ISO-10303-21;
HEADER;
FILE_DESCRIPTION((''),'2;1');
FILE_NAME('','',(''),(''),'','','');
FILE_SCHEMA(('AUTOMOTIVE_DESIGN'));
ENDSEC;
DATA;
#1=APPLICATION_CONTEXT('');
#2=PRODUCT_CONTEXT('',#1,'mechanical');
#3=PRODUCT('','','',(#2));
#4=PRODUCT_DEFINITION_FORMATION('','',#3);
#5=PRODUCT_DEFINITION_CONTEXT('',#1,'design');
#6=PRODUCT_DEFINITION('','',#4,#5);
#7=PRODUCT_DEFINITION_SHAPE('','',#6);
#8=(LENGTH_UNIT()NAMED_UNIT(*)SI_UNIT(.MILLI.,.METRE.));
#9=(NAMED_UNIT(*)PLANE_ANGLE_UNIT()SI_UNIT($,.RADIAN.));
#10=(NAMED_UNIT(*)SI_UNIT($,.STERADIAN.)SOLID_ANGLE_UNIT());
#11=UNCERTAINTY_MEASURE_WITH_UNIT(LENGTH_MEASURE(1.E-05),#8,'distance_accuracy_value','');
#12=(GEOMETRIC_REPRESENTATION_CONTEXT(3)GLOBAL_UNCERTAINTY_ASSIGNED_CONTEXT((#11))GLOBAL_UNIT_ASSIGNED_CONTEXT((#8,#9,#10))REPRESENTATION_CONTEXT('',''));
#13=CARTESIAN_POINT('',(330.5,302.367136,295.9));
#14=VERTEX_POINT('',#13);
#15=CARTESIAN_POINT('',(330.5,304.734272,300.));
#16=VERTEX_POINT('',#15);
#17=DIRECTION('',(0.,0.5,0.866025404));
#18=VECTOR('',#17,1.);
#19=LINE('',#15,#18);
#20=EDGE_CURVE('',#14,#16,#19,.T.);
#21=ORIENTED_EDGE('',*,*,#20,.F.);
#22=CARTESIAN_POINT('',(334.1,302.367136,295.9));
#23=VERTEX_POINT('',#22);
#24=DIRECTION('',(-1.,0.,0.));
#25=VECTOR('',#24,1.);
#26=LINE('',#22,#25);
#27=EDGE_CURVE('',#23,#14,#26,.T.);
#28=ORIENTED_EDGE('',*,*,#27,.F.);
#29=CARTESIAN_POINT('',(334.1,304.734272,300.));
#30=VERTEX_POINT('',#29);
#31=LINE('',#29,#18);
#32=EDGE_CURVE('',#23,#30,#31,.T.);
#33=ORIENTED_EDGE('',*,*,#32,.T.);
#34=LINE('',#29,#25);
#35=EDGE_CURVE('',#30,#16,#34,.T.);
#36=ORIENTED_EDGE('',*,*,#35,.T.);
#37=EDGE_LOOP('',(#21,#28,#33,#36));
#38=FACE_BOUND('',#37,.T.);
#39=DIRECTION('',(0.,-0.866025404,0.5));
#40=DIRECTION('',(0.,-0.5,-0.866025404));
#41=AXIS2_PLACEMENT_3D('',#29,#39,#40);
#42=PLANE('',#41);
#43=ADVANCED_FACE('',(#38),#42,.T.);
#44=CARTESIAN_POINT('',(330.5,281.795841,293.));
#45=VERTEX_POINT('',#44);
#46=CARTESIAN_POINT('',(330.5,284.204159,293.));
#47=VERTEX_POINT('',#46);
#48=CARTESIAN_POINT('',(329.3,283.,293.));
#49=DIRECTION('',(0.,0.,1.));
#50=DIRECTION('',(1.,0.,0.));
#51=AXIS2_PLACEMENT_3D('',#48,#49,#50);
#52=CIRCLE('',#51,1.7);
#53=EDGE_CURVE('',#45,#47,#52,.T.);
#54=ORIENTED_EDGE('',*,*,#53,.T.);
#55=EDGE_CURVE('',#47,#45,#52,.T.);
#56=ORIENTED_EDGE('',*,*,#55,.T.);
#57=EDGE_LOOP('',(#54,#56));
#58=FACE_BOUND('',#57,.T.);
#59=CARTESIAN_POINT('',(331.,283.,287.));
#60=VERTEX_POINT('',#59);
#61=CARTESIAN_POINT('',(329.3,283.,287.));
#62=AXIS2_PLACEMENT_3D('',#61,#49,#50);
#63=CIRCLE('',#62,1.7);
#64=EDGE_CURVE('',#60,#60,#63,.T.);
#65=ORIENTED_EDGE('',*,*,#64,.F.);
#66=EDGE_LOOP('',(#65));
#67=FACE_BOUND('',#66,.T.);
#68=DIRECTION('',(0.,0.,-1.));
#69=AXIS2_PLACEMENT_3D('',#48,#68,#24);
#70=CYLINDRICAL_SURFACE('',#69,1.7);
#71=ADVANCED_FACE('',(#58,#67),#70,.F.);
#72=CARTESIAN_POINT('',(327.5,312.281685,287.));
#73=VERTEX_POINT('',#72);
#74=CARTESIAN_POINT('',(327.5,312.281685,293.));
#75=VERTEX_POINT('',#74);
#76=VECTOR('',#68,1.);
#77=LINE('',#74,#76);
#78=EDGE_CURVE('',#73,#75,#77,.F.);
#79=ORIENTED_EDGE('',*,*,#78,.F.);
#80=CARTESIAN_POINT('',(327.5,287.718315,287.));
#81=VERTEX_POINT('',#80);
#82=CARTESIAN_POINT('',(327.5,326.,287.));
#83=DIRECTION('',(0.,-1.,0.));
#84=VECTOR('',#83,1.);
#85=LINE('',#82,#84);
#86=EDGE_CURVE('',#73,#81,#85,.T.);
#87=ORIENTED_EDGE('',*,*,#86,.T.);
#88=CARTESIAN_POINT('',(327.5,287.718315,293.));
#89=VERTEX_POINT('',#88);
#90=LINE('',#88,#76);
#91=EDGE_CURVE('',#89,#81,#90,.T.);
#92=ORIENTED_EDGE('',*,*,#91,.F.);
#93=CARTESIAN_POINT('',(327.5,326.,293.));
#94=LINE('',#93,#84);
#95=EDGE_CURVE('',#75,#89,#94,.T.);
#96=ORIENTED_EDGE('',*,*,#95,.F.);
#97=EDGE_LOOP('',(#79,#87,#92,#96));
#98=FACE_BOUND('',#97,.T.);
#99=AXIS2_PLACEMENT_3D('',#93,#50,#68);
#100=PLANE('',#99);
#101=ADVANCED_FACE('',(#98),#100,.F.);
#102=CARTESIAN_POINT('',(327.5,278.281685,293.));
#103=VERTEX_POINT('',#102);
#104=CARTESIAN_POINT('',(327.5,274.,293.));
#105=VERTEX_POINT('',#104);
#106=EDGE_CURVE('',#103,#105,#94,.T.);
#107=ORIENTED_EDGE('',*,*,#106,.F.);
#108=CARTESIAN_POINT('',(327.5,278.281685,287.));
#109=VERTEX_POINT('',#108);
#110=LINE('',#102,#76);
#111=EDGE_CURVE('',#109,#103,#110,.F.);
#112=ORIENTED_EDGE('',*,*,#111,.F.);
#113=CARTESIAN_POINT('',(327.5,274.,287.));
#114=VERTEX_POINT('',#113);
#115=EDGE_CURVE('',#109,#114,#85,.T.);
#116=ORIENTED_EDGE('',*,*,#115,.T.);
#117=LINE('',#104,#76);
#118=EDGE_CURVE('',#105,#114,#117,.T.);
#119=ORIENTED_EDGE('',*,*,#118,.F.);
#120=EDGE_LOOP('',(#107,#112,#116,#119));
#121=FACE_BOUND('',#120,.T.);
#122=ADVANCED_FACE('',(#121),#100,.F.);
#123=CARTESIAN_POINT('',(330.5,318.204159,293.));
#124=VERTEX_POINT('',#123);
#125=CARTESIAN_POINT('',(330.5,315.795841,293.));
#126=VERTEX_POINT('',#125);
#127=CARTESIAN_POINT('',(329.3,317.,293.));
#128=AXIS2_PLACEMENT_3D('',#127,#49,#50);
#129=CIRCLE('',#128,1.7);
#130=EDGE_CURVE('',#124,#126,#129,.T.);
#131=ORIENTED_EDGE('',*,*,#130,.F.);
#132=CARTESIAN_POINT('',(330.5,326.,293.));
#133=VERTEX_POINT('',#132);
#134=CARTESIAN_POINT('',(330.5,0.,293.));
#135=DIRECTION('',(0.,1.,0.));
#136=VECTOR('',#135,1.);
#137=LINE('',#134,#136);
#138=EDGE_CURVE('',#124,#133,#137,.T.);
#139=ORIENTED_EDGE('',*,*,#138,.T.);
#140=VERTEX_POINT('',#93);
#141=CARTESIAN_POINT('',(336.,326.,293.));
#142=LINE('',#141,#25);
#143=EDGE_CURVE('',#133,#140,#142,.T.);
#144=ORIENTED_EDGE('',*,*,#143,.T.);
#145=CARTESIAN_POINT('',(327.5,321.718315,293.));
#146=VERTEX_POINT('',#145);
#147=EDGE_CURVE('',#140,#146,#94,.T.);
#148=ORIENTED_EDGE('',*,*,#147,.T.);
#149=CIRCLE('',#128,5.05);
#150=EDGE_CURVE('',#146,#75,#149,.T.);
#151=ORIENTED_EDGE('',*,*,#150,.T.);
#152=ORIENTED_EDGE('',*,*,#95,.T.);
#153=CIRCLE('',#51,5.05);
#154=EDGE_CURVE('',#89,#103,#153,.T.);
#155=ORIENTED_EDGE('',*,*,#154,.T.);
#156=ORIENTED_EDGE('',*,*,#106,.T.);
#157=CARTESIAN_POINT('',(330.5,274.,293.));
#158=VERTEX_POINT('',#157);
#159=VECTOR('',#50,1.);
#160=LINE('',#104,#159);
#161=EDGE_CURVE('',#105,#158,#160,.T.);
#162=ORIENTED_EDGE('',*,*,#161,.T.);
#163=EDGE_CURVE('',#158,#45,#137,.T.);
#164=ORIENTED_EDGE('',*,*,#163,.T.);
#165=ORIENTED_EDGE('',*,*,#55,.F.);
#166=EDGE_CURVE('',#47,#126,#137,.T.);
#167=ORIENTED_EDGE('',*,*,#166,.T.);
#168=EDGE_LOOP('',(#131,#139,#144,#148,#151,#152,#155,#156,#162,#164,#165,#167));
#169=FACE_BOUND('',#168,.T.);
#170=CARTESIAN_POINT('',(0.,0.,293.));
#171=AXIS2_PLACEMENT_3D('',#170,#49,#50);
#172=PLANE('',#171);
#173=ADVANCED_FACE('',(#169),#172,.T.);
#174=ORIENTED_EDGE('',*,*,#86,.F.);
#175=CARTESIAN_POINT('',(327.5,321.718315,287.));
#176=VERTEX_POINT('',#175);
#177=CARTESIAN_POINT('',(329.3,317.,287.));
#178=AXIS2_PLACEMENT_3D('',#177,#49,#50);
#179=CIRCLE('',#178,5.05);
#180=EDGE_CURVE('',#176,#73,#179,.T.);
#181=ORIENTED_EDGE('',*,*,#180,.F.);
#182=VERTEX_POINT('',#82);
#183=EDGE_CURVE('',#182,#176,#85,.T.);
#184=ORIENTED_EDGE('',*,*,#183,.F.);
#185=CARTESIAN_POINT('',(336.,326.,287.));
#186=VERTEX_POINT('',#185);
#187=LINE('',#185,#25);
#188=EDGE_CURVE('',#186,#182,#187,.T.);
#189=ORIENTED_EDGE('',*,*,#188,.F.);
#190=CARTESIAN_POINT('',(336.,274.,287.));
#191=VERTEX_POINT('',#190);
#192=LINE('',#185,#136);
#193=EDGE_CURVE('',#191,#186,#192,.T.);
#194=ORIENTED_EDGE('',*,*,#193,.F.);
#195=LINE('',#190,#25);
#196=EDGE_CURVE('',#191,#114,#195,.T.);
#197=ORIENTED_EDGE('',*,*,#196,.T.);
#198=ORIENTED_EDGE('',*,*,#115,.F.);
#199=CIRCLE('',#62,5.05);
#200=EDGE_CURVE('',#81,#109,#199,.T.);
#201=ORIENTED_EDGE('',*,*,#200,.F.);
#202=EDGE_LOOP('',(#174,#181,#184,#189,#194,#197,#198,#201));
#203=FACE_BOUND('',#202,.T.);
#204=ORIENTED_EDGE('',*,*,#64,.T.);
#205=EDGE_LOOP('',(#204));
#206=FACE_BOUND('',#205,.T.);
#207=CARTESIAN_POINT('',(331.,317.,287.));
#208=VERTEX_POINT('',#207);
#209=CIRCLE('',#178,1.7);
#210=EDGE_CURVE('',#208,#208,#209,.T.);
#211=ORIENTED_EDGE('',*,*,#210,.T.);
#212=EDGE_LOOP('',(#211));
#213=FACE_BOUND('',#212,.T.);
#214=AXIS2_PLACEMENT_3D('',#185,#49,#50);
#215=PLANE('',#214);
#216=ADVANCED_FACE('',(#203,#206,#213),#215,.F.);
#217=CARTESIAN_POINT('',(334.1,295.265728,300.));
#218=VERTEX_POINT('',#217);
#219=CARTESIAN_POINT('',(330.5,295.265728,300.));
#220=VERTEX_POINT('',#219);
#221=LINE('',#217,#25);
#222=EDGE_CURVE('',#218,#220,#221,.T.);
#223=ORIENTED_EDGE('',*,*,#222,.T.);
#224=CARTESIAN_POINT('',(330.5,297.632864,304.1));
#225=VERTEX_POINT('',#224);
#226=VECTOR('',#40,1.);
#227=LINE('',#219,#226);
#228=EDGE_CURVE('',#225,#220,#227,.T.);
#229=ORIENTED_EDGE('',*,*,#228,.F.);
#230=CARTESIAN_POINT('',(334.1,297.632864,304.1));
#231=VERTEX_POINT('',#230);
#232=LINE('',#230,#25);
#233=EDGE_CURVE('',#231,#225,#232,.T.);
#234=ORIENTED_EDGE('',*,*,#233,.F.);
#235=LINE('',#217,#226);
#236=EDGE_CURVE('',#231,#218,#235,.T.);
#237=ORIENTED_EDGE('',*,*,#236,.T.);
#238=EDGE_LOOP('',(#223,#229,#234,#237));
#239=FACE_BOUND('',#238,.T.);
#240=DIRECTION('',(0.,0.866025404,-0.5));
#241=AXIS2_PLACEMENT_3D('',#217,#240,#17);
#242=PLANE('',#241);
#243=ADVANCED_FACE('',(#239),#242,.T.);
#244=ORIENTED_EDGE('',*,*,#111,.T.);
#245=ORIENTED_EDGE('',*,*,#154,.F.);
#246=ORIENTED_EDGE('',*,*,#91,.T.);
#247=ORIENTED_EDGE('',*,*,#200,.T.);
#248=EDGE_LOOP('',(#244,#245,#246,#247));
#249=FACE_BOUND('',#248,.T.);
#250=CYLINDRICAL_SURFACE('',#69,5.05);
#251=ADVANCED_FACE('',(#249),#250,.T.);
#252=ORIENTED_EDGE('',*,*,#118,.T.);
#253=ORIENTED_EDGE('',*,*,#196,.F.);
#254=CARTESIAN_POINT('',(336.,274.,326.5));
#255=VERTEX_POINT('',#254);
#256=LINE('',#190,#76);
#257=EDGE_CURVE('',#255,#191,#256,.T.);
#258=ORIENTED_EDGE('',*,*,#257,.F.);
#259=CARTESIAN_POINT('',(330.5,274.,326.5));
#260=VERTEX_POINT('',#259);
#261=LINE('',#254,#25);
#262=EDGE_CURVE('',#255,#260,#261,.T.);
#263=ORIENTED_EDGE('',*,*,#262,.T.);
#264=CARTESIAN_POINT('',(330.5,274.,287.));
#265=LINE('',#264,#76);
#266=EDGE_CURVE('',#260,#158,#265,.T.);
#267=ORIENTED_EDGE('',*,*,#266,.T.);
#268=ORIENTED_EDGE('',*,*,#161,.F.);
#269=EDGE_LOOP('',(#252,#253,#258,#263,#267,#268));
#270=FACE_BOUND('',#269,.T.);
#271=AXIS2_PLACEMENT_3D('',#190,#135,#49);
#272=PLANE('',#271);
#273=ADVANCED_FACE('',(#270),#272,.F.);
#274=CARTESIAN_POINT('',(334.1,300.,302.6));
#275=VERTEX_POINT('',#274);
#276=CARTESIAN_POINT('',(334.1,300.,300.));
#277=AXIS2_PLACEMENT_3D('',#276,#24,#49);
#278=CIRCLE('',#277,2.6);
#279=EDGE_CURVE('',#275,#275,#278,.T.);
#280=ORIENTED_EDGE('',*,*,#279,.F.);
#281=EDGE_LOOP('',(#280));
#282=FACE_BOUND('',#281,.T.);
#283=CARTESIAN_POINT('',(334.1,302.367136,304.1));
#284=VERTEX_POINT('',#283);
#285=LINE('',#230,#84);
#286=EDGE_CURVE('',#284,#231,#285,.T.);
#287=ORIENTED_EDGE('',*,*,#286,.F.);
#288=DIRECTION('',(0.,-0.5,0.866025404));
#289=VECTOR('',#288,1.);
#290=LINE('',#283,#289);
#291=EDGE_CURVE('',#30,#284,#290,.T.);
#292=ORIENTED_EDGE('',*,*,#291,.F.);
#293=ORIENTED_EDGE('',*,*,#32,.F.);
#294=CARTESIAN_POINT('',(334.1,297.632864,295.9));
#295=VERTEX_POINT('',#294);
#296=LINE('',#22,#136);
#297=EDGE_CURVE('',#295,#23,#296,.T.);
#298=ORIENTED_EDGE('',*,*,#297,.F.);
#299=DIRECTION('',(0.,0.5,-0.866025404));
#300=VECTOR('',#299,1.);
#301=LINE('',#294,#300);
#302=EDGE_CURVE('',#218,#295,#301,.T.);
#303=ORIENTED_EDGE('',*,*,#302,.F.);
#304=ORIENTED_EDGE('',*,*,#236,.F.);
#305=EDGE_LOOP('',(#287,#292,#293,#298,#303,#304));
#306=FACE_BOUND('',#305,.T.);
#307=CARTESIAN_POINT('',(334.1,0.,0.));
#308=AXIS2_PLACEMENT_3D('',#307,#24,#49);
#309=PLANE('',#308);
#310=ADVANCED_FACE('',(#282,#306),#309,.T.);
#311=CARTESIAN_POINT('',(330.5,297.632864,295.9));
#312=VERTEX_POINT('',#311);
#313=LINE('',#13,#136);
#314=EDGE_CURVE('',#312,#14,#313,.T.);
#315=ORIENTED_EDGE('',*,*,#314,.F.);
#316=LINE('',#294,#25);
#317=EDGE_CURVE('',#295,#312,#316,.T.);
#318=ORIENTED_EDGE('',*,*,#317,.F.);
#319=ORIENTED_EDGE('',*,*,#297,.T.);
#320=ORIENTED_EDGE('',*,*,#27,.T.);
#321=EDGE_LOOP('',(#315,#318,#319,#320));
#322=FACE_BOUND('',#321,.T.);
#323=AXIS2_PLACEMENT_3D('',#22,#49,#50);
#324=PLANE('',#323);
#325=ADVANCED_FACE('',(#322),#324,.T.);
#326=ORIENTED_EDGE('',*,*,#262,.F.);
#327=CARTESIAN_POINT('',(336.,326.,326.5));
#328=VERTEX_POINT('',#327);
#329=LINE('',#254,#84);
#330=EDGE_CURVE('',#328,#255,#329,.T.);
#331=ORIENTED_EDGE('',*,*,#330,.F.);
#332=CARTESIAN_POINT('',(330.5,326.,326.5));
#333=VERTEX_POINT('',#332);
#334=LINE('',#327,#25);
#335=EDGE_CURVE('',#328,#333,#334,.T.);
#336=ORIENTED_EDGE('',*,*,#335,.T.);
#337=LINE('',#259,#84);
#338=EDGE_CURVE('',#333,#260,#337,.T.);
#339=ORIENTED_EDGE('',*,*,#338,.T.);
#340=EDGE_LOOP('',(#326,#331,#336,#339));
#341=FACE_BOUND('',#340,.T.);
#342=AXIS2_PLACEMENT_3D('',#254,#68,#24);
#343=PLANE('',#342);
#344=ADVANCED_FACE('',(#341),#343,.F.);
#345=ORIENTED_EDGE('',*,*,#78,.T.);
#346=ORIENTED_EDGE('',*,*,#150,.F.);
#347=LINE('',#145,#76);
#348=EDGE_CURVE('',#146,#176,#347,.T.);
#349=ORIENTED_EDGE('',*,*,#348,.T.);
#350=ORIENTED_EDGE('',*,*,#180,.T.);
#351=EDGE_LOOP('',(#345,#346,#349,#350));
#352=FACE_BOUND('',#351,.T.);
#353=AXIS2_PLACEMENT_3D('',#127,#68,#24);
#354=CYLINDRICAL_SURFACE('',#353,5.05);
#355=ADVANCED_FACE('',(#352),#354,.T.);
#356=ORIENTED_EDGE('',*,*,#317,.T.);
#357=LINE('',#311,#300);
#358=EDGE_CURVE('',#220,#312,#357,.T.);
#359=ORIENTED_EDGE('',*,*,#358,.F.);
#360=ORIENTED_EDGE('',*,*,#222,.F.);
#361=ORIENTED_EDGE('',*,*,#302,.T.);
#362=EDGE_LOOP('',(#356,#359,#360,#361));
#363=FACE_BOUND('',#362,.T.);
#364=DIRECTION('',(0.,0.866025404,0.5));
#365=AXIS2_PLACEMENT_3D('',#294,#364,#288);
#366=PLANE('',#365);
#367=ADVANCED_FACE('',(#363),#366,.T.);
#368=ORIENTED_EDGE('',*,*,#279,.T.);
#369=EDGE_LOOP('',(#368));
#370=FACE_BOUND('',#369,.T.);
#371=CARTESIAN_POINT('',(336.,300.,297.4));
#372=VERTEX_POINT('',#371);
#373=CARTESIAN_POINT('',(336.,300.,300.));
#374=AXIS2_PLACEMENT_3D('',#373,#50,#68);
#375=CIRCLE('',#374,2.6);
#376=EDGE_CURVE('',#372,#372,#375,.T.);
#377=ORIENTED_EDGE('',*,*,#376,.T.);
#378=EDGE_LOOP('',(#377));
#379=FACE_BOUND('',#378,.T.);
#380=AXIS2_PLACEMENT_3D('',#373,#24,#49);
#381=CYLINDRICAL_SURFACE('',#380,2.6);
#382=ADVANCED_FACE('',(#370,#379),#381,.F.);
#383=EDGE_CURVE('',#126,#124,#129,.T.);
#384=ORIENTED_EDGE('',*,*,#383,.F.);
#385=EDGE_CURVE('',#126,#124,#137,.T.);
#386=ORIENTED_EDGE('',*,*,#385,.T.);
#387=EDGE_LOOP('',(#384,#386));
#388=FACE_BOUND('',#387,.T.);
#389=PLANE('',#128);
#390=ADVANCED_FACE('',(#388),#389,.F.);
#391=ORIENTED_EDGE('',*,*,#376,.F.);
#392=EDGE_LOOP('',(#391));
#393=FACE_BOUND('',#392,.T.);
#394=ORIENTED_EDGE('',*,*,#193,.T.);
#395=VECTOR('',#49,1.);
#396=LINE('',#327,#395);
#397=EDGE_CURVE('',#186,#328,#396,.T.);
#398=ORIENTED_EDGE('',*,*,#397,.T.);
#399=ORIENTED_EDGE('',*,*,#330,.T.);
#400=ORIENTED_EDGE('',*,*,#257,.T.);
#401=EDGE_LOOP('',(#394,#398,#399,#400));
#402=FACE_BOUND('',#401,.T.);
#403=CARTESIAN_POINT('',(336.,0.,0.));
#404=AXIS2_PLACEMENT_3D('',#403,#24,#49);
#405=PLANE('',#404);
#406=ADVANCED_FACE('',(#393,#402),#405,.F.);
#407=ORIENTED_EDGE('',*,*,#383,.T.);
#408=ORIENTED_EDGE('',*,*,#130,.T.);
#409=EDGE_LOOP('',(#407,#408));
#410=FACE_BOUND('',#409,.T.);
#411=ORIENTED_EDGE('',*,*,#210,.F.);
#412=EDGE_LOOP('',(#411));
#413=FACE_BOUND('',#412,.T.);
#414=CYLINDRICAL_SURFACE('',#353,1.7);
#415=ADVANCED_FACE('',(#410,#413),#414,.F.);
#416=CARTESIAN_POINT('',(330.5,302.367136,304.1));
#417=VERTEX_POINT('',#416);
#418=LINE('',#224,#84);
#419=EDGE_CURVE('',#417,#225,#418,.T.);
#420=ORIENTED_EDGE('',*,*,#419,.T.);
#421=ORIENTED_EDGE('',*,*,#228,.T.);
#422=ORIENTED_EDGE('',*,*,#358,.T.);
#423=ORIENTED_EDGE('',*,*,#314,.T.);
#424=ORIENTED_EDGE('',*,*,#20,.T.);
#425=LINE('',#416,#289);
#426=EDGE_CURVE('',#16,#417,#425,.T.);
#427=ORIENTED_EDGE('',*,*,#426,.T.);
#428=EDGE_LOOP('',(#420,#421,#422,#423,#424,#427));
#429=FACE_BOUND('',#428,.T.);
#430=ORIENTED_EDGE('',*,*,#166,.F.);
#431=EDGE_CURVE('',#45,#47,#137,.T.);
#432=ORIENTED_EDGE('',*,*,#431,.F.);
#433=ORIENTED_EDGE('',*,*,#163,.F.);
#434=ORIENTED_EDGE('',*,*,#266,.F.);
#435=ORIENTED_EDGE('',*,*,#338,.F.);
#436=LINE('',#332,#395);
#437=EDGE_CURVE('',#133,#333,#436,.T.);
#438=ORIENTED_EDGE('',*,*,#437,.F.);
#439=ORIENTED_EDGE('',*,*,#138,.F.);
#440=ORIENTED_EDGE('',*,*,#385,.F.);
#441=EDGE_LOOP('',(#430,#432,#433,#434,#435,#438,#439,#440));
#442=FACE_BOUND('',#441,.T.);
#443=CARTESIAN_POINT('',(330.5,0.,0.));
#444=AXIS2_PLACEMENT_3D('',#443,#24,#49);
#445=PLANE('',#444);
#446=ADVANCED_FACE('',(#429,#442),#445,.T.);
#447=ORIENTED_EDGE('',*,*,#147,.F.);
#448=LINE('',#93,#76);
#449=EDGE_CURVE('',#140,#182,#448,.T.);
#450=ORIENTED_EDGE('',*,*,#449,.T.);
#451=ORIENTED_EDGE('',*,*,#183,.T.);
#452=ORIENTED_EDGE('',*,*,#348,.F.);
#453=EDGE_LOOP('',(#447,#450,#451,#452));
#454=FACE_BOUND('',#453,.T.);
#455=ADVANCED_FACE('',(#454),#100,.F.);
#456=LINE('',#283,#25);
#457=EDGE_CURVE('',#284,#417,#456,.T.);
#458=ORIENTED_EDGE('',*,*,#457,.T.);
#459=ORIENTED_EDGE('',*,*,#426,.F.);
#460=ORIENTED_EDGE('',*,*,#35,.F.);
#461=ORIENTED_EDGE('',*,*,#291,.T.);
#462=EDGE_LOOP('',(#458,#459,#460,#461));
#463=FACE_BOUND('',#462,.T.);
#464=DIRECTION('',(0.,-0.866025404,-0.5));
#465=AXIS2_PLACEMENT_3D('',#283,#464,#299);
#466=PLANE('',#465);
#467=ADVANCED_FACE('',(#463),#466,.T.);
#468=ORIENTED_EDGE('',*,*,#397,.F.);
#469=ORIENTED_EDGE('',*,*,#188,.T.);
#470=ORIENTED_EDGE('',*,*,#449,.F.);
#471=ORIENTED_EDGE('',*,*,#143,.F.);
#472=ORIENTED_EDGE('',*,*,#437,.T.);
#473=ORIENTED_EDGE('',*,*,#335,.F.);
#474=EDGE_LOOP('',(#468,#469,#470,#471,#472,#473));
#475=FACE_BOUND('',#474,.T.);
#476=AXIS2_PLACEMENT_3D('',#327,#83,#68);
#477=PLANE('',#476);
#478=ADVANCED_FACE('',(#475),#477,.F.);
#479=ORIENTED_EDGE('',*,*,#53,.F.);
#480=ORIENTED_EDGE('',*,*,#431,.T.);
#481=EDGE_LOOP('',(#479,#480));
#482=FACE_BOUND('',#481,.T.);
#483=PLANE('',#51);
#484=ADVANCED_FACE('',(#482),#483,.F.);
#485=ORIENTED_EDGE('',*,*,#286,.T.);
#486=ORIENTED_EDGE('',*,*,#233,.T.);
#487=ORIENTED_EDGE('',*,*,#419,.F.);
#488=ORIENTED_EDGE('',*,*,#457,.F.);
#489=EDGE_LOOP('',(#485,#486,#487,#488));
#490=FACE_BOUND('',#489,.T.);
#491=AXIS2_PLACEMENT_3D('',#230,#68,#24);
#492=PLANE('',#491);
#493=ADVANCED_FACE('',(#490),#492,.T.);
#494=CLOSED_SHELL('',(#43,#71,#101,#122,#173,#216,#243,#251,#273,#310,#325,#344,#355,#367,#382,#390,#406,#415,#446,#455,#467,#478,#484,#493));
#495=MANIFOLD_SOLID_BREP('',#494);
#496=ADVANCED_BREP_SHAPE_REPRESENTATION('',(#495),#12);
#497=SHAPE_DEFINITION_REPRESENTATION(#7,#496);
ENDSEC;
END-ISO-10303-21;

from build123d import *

# Parameters (mm, degrees)
SKETCH1_W           = 39.5
SKETCH1_H           = 52
SKETCH1_R           = 2.6
BOSS_EXTRUDE1_DEPTH = 5.5
CUT_EXTRUDE1_DEPTH  = 3.6
SKETCH3_W           = 8.5
SKETCH3_H           = 52
BOSS_EXTRUDE2_DEPTH = 6
SKETCH4_R           = 5.05
SKETCH4_R_2         = 1.7
BOSS_EXTRUDE3_DEPTH = 6
SKETCH5_R           = 5.05
SKETCH5_R_2         = 1.7
BOSS_EXTRUDE4_DEPTH = 6
SKETCH6_R           = 1.7
CUT_EXTRUDE2_DEPTH  = 6


with BuildPart() as part:
    # Sketch1 → Boss-Extrude1 (new body)
    with BuildSketch(Plane(origin=(330.5, 0, 0), x_dir=(0, 0, -1), z_dir=(1, 0, 0))):
        with Locations((-306.75, 300)):
            Rectangle(SKETCH1_W, SKETCH1_H)
        with Locations((-300, 300)):
            Circle(SKETCH1_R, mode=Mode.SUBTRACT)
    extrude(amount=BOSS_EXTRUDE1_DEPTH)

    # Sketch2 → Cut-Extrude1 (cut)
    with BuildSketch(Plane(origin=(330.5, 0, 0), x_dir=(0, 0, -1), z_dir=(1, 0, 0))):
        Polygon((-304.1, 302.367136104), (-300, 304.734272207), (-295.9, 302.367136104), (-295.9, 297.632863896), (-300, 295.265727793), (-304.1, 297.632863896), align=None)
    extrude(amount=CUT_EXTRUDE1_DEPTH, mode=Mode.SUBTRACT)

    # Sketch3 → Boss-Extrude2 (add)
    with BuildSketch(Plane.XY.offset(287)):
        with Locations((331.75, 300)):
            Rectangle(SKETCH3_W, SKETCH3_H)
    extrude(amount=BOSS_EXTRUDE2_DEPTH)

    # Sketch4 → Boss-Extrude3 (add)
    with BuildSketch(Plane.XY.offset(287)):
        with Locations((329.3, 283)):
            Circle(SKETCH4_R)
        with Locations((329.3, 283)):
            Circle(SKETCH4_R_2, mode=Mode.SUBTRACT)
    extrude(amount=BOSS_EXTRUDE3_DEPTH)

    # Sketch5 → Boss-Extrude4 (add)
    with BuildSketch(Plane.XY.offset(287)):
        with Locations((329.3, 317)):
            Circle(SKETCH5_R)
        with Locations((329.3, 317)):
            Circle(SKETCH5_R_2, mode=Mode.SUBTRACT)
    extrude(amount=BOSS_EXTRUDE4_DEPTH)

    # Sketch6 → Cut-Extrude2 (cut)
    with BuildSketch(Plane.XY.offset(287)):
        with Locations(Location((329.3, 283, 0), (0, 0, 314.900872156))):
            Circle(SKETCH6_R)
        with Locations(Location((329.3, 317, 0), (0, 0, 314.900872156))):
            Circle(SKETCH6_R)
    extrude(amount=CUT_EXTRUDE2_DEPTH, mode=Mode.SUBTRACT)


solid = part.part
